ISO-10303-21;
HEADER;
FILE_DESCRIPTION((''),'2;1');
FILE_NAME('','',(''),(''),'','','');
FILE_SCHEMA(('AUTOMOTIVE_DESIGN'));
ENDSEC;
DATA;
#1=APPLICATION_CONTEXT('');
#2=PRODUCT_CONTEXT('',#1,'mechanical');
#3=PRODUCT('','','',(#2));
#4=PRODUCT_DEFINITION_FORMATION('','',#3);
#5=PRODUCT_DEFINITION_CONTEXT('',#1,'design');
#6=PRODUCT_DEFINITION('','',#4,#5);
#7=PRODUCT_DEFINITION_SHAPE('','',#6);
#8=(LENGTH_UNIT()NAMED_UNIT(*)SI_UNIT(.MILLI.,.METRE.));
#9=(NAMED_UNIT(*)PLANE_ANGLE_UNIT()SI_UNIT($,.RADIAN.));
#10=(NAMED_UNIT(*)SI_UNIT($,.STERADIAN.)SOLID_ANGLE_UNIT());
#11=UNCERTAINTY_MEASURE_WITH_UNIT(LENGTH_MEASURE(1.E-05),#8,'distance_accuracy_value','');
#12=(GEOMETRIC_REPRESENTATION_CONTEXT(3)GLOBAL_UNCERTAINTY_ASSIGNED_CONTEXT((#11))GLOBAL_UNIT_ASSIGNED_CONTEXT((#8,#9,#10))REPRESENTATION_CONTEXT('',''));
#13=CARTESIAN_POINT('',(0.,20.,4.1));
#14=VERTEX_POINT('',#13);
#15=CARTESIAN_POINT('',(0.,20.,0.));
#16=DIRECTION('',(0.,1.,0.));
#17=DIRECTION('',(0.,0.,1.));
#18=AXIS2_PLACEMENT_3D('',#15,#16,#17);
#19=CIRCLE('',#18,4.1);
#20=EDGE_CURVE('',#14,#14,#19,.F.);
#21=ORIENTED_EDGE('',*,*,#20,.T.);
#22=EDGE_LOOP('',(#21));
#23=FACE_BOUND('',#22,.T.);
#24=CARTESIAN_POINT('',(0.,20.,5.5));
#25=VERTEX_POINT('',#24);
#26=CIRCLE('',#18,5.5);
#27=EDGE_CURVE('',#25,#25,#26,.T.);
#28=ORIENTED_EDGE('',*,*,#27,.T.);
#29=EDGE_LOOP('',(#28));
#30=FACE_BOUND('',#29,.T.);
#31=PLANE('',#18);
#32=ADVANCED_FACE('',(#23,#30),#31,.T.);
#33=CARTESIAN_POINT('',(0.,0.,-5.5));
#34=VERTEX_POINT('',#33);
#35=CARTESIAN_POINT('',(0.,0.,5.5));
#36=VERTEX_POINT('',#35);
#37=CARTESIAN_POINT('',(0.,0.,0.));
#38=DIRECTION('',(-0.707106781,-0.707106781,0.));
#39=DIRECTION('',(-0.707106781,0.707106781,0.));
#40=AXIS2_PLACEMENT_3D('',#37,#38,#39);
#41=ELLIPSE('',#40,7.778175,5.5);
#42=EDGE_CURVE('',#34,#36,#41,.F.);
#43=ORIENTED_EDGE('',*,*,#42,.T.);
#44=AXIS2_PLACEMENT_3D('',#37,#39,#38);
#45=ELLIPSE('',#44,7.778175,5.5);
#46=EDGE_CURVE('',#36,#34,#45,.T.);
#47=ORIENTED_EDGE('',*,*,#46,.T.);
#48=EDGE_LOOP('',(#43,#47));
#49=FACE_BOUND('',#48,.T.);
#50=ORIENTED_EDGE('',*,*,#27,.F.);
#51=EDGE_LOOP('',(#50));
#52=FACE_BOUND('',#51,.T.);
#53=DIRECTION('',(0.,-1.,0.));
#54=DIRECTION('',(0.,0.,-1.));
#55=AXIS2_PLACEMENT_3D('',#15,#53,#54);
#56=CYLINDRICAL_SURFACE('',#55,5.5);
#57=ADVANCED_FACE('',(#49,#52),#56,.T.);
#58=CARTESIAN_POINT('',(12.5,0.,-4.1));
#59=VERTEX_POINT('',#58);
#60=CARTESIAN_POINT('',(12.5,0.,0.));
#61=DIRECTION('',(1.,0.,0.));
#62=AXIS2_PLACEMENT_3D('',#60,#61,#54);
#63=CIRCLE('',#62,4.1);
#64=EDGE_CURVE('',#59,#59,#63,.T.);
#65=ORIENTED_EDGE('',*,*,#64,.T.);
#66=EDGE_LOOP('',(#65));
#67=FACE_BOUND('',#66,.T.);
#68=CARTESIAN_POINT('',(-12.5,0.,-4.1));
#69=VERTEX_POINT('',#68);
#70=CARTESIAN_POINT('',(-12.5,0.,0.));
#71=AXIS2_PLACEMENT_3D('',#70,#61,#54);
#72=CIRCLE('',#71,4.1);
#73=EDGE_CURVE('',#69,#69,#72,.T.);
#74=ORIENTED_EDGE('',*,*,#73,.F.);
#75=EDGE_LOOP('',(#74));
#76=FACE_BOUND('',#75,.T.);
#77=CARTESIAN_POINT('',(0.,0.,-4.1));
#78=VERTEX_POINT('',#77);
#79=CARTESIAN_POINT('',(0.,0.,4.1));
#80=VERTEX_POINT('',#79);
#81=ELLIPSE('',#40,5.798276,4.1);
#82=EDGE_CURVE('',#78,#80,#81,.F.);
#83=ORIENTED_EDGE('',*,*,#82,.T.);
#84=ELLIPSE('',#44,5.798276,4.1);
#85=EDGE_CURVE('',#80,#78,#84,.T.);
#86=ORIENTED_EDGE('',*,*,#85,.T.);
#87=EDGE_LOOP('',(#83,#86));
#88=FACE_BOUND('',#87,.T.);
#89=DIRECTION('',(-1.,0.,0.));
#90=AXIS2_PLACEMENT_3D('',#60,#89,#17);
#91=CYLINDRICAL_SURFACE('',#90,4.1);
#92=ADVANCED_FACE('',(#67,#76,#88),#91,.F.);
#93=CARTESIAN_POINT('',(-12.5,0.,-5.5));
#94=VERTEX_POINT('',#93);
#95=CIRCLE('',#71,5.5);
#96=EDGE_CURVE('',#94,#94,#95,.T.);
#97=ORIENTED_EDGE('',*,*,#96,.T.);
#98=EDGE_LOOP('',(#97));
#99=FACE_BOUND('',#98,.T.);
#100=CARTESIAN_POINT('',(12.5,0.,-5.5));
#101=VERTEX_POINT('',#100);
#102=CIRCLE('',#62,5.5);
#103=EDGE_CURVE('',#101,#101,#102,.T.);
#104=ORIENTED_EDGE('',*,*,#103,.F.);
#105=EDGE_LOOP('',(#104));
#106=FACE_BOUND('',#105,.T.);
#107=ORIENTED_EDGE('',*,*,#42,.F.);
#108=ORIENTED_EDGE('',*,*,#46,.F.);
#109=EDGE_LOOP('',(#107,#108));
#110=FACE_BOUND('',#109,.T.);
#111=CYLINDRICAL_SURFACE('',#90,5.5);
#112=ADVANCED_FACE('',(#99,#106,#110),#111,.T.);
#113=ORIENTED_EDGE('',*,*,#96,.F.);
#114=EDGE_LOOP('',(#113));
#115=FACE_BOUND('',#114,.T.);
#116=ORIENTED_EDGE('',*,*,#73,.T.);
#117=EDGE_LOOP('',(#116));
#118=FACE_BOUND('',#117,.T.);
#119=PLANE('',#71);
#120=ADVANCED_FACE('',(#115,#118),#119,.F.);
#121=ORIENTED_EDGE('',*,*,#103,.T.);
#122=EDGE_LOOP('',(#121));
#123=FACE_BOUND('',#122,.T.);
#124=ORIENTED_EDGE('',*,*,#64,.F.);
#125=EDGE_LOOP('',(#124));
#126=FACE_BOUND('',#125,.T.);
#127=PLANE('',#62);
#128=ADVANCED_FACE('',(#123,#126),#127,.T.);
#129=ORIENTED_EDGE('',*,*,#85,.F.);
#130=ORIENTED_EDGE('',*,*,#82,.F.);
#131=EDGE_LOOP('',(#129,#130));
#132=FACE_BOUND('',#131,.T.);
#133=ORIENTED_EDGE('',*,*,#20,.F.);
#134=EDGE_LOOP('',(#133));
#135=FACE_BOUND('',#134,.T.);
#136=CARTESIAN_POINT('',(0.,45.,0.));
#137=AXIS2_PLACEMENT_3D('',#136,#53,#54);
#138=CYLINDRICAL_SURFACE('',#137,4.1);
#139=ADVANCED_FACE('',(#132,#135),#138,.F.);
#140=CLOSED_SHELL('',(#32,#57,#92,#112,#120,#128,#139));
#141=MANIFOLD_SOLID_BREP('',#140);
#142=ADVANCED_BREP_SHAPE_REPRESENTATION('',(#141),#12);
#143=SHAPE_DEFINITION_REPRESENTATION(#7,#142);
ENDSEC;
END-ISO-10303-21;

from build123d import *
from build123d.topology import SkipClean

# Parameters (mm, degrees)
SKETCH_1_R          = 5.5
SKETCH_1_R_2        = 4.1
EXTRUDE_1_DEPTH     = 12.5
SKETCH_3_R          = 5.5
EXTRUDE_2_DEPTH     = 20
SKETCH_4_R          = 4.1
CUT_EXTRUDE_2_DEPTH = 22.5
SKETCH_5_R          = 4.1
CUT_EXTRUDE_3_DEPTH = 45


with BuildPart() as part:
    # 草图1 → 凸台-拉伸1 (new, symmetric)
    with BuildSketch(Plane(origin=(0, 0, 0), x_dir=(0, 0, -1), z_dir=(1, 0, 0))):
        Circle(SKETCH_1_R)
        Circle(SKETCH_1_R_2, mode=Mode.SUBTRACT)
    extrude(amount=EXTRUDE_1_DEPTH, both=True)

    # 草图3 → 凸台-拉伸2 (add)
    with BuildSketch(Plane(origin=(0, 0, 0), x_dir=(1, 0, 0), z_dir=(0, 1, 0))):
        with Locations(Location((0, 0, 0), (0, 0, 270))):
            Circle(SKETCH_3_R)
    extrude(amount=EXTRUDE_2_DEPTH)

    # 草图4 → 切除-拉伸2 (cut, symmetric)
    with SkipClean():  # the faces are left unmerged after this step: merging them gives an invalid solid
        with BuildSketch(Plane(origin=(0, 0, 0), x_dir=(0, 0, -1), z_dir=(1, 0, 0))):
            Circle(SKETCH_4_R)
        extrude(amount=CUT_EXTRUDE_2_DEPTH, both=True, mode=Mode.SUBTRACT)

    # 草图5 → 切除-拉伸3 (cut)
    with BuildSketch(Plane(origin=(0, 0, 0), x_dir=(1, 0, 0), z_dir=(0, 1, 0))):
        with Locations(Location((0, 0, 0), (0, 0, 270))):
            Circle(SKETCH_5_R)
    extrude(amount=CUT_EXTRUDE_3_DEPTH, mode=Mode.SUBTRACT)


solid = part.part
